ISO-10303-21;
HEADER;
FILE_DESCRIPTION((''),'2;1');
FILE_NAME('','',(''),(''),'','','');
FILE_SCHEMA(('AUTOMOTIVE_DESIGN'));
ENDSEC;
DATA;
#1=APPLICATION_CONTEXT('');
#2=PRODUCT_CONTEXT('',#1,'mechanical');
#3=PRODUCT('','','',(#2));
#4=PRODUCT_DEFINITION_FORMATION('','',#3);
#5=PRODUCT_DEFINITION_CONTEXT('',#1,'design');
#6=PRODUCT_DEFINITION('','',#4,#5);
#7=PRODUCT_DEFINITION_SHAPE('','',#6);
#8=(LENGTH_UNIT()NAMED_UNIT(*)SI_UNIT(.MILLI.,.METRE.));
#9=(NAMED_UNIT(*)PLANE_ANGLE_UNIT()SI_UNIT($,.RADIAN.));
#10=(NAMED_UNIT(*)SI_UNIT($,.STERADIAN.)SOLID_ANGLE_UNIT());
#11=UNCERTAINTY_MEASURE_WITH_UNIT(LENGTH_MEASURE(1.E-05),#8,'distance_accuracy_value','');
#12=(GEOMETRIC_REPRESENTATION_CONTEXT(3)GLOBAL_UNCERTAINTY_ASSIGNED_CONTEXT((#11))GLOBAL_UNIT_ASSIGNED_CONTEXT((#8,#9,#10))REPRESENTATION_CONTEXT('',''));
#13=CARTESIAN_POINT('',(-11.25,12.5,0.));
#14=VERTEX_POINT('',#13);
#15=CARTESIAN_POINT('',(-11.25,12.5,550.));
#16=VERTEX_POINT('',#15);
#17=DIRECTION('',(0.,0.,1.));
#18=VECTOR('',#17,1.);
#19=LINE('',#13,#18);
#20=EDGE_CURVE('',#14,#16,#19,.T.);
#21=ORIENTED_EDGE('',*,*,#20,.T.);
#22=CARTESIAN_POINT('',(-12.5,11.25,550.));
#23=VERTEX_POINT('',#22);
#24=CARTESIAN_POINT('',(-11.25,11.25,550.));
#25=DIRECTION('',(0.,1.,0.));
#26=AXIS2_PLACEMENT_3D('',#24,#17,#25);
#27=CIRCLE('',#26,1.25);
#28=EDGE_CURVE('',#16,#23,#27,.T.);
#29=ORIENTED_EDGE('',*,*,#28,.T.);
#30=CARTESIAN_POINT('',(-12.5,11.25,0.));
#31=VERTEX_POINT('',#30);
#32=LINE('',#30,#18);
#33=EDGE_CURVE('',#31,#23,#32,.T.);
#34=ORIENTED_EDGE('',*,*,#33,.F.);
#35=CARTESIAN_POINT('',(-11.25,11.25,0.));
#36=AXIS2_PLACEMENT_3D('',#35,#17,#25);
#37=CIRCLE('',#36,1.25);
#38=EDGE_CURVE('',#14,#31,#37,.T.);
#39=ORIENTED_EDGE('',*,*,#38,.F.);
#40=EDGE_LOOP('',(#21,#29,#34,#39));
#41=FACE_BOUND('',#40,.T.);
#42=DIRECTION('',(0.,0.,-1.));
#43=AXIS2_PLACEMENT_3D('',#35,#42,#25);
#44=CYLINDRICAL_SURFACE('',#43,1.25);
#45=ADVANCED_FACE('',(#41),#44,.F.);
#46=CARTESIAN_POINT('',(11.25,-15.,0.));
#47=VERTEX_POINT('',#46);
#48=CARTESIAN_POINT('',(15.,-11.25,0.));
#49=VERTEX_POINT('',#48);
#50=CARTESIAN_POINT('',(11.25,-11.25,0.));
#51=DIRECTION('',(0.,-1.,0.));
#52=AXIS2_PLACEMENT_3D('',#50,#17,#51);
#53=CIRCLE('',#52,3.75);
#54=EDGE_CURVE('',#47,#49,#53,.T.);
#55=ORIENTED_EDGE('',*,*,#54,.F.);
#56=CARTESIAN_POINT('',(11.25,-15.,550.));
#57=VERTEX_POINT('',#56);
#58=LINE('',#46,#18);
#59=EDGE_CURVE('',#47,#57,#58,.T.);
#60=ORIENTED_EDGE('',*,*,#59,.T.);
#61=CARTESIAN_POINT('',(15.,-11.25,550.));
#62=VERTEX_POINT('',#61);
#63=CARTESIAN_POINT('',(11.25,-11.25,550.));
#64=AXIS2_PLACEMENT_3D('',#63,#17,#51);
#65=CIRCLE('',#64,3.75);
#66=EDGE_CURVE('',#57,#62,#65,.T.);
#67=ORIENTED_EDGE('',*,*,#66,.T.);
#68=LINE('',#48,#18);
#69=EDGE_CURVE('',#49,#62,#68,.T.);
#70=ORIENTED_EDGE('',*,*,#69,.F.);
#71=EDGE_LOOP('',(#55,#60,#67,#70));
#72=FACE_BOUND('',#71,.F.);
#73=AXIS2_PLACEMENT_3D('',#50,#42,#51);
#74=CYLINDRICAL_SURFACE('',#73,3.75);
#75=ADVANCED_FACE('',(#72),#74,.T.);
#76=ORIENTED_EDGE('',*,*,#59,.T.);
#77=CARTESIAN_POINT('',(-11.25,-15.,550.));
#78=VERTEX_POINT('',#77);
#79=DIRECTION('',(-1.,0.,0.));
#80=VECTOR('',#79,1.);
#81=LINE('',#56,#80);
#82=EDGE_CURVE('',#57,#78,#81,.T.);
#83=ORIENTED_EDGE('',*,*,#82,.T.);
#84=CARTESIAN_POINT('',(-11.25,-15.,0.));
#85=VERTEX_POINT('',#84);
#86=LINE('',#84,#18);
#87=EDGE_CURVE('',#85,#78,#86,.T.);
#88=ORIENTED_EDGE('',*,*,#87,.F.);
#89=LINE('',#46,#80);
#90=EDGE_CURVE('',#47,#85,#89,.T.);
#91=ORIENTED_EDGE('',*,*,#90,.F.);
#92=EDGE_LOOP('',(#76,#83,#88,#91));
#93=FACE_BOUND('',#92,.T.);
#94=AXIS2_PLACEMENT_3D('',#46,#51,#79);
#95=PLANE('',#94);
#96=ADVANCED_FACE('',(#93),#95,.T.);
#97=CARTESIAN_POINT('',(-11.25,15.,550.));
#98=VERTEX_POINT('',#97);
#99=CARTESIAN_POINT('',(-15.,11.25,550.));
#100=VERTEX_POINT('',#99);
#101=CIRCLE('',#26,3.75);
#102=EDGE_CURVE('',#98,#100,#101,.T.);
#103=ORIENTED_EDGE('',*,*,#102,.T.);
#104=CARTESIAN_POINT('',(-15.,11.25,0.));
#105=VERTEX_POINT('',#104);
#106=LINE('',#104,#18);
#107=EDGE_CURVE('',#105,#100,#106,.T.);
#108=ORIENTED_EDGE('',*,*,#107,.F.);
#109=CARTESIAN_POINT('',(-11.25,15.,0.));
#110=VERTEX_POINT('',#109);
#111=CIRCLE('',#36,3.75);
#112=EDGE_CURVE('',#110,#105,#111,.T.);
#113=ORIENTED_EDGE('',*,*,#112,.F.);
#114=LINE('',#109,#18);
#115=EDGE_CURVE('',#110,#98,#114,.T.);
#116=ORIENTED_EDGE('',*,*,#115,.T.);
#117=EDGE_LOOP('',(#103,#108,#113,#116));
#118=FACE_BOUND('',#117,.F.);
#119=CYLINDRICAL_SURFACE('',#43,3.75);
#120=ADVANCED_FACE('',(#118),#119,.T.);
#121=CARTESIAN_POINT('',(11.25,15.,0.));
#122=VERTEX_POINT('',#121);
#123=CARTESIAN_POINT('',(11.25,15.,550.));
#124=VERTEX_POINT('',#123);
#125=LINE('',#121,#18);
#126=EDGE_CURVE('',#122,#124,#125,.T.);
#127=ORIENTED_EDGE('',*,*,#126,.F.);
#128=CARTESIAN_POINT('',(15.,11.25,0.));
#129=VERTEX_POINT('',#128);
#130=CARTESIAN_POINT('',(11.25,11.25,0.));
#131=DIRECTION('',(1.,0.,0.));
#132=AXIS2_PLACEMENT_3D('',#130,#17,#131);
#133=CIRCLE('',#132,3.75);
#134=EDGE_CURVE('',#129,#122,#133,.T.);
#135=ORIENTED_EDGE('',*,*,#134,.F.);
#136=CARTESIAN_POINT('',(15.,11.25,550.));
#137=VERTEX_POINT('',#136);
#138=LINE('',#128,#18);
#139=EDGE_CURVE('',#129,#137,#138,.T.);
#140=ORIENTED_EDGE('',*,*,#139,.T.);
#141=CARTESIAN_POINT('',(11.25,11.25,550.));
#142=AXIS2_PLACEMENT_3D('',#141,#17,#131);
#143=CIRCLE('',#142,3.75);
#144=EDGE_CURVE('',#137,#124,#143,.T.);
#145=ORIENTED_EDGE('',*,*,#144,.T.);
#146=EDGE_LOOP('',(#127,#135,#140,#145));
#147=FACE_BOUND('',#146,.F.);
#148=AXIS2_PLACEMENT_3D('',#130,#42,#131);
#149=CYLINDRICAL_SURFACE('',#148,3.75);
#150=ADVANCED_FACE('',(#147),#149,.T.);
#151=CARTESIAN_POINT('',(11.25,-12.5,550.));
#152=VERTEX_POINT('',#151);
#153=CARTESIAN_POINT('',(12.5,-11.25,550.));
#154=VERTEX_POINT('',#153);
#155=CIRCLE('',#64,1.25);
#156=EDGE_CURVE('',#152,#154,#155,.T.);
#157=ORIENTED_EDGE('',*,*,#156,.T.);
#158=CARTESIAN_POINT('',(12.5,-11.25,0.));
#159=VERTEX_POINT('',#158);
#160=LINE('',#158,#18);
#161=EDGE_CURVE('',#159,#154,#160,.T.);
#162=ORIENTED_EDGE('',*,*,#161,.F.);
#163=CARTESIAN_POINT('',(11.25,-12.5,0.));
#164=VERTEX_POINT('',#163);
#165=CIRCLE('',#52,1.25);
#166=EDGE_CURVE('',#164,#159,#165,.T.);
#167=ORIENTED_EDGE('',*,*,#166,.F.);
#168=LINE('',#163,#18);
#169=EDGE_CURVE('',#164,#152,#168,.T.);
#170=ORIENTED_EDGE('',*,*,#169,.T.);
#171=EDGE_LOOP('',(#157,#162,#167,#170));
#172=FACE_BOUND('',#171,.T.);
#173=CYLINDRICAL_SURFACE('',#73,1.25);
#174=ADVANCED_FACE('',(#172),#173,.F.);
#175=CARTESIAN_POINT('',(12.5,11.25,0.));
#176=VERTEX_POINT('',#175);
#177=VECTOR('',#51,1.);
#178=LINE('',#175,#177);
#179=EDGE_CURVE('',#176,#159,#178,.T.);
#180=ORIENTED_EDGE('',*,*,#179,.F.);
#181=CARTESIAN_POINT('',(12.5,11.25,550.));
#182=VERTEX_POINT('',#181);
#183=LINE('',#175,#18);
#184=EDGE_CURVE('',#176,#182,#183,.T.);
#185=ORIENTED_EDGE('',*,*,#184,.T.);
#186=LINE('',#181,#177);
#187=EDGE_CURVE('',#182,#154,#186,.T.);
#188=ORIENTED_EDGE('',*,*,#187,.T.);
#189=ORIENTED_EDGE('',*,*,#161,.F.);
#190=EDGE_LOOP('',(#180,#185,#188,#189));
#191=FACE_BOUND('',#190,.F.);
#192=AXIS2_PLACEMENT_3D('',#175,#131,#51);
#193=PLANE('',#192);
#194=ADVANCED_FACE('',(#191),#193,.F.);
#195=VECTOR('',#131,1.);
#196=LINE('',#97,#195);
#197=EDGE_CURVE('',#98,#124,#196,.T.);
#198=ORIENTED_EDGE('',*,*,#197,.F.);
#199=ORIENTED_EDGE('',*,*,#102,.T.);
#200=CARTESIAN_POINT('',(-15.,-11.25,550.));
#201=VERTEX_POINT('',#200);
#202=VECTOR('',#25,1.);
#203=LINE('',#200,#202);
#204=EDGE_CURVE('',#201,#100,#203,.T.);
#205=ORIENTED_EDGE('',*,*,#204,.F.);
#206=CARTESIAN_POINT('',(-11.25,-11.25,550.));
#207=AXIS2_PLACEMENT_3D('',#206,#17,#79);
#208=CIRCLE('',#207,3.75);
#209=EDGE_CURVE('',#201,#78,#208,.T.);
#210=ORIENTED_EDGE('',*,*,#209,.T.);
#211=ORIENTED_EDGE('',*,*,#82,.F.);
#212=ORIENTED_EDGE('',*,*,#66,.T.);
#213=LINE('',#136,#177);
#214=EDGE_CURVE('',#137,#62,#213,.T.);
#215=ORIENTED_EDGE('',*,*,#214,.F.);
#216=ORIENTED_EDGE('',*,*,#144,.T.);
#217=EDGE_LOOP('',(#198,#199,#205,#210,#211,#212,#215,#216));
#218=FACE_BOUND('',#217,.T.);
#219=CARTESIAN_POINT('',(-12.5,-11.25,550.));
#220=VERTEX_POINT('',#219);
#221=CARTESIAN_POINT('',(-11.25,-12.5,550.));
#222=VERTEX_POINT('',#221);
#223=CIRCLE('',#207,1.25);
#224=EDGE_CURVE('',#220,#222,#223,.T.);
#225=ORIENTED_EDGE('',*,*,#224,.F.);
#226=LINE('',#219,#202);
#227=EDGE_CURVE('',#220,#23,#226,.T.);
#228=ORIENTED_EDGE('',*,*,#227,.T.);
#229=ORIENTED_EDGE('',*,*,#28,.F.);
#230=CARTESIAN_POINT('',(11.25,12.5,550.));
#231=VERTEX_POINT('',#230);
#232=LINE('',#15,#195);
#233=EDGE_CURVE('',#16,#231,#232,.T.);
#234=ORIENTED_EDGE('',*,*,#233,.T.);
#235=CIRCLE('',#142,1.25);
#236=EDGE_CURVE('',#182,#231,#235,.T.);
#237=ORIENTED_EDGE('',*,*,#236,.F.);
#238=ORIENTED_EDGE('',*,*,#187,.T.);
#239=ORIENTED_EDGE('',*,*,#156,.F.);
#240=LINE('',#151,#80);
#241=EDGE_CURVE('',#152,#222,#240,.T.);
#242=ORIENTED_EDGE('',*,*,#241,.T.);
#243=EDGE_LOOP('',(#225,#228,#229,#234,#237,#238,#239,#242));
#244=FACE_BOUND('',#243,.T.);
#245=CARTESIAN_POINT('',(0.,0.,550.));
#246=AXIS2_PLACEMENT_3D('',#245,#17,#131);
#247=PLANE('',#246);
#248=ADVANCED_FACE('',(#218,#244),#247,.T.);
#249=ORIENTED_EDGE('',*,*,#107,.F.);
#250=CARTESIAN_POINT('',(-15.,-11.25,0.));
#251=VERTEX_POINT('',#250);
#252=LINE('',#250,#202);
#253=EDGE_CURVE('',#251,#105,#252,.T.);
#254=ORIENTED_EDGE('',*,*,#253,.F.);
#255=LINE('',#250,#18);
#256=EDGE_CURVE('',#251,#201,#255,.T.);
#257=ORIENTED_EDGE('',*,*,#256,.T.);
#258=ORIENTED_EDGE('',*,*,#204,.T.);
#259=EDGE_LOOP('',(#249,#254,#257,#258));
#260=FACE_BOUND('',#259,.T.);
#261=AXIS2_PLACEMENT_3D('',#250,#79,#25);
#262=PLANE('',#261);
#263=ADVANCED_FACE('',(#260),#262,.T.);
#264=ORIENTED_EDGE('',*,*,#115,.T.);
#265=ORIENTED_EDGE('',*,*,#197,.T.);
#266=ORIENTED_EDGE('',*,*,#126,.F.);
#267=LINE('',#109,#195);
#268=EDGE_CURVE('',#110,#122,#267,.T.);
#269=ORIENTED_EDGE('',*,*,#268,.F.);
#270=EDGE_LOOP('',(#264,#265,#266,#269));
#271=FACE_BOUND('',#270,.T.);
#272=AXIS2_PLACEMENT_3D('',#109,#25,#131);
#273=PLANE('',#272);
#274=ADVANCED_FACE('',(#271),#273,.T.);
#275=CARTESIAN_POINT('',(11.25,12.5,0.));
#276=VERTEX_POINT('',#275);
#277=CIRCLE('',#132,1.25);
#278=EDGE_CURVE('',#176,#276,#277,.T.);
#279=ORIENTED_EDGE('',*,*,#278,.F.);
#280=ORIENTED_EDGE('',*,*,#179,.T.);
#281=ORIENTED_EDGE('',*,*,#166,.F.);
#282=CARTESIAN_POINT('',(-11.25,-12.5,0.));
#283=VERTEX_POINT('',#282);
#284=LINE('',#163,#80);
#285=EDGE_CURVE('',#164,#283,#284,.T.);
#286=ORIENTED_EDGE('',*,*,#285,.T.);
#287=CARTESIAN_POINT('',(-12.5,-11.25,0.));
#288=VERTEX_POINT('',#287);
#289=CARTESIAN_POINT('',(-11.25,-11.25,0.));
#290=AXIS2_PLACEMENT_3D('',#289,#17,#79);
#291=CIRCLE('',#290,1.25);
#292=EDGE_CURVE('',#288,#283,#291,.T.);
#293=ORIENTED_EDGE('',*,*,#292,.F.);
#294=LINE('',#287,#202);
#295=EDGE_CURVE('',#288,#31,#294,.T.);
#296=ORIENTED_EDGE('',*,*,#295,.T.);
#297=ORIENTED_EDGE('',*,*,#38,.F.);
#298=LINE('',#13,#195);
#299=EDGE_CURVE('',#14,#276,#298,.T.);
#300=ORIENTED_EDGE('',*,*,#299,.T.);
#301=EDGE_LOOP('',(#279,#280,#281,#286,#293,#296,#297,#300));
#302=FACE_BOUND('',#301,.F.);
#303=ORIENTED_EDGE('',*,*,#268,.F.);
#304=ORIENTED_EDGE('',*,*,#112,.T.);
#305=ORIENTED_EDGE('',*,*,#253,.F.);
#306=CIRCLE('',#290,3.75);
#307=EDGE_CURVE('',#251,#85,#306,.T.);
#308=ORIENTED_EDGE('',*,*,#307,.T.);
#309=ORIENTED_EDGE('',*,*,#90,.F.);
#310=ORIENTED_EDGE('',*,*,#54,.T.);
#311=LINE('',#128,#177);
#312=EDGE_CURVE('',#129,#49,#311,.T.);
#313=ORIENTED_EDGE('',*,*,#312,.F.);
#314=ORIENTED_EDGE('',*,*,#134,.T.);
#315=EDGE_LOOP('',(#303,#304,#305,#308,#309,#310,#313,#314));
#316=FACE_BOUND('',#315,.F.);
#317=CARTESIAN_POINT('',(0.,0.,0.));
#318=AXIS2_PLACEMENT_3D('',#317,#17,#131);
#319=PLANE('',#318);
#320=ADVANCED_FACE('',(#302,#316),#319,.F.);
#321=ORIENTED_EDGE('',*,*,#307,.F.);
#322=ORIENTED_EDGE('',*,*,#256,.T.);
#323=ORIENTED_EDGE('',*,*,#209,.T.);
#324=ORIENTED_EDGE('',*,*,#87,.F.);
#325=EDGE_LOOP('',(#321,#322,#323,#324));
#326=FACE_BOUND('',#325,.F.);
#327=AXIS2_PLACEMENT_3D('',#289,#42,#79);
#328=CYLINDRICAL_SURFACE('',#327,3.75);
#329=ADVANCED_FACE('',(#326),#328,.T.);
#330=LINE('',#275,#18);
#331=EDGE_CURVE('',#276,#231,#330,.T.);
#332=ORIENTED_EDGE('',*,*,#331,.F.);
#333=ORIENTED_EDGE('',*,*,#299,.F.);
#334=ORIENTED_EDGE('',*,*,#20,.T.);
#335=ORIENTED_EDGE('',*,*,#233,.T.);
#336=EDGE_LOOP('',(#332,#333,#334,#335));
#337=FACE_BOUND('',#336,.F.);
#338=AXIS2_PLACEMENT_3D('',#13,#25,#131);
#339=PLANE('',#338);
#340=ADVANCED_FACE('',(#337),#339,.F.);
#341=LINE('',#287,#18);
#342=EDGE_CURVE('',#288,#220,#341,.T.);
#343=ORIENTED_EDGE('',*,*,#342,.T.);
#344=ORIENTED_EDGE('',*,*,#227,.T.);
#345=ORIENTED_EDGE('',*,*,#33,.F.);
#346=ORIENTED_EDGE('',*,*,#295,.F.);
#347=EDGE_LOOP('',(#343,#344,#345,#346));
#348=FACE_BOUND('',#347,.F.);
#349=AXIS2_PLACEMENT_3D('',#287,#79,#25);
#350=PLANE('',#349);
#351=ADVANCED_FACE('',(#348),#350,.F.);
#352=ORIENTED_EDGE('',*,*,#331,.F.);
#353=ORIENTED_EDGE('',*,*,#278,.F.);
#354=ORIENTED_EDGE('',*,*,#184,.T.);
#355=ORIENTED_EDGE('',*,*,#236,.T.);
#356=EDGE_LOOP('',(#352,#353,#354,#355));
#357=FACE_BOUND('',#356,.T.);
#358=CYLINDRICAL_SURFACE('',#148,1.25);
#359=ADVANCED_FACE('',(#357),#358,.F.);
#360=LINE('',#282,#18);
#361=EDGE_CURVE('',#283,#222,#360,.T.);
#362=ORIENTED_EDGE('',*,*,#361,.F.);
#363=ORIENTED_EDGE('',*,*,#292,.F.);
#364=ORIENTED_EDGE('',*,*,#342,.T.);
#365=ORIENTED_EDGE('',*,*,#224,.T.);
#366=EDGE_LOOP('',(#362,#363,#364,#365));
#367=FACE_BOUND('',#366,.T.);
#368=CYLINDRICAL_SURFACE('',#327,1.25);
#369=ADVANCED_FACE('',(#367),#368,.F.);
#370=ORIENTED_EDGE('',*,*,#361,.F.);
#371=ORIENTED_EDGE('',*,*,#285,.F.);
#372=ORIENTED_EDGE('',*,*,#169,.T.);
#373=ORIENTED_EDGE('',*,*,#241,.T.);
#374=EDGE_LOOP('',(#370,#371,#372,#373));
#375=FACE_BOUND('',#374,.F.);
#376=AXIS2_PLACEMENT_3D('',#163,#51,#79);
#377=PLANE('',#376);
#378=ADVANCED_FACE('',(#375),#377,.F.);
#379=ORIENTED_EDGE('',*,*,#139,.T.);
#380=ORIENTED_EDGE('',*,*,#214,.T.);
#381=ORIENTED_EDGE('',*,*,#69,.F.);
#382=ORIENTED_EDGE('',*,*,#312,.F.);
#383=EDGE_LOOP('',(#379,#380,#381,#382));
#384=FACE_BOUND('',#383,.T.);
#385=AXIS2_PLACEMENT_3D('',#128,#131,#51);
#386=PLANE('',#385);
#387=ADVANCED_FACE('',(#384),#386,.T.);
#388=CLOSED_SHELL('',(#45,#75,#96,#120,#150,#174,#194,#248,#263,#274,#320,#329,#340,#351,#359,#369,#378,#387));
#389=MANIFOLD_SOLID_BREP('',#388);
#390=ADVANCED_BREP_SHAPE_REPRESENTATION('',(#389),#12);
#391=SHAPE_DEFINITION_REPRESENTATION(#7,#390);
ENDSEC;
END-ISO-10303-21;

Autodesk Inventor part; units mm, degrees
ref_plane "YZ Plane" through (0, 0, 0) normal (1, 0, 0) x (0, 1, 0)
ref_plane "Start plane" through (0, 0, 0) normal (0, 0, 1) x (1, 0, 0)
ref_plane "End plane" through (0, 0, 550) normal (0, 0, 1) x (1, 0, 0)
sketch "Sketch" plane through (0, 0, 0) normal (0, 0, 1) x (1, 0, 0)
  line L0 (-15, -11.25) -> (-15, 11.25)
  line L1 (-11.25, 15) -> (11.25, 15)
  line L2 (15, 11.25) -> (15, -11.25)
  line L3 (11.25, -15) -> (-11.25, -15)
  arc A0 (-15, -11.25) -> (-11.25, -15) centre (-11.25, -11.25) ccw
  arc A1 (-11.25, 15) -> (-15, 11.25) centre (-11.25, 11.25) ccw
  arc A2 (15, 11.25) -> (11.25, 15) centre (11.25, 11.25) ccw
  arc A3 (11.25, -15) -> (15, -11.25) centre (11.25, -11.25) ccw
  arc A4 (-11.25, 12.5) -> (-12.5, 11.25) centre (-11.25, 11.25) ccw
  line L4 (-11.25, 12.5) -> (11.25, 12.5)
  arc A5 (12.5, 11.25) -> (11.25, 12.5) centre (11.25, 11.25) ccw
  line L5 (12.5, 11.25) -> (12.5, -11.25)
  arc A6 (11.25, -12.5) -> (12.5, -11.25) centre (11.25, -11.25) ccw
  line L6 (11.25, -12.5) -> (-11.25, -12.5)
  arc A7 (-12.5, -11.25) -> (-11.25, -12.5) centre (-11.25, -11.25) ccw
  line L7 (-12.5, -11.25) -> (-12.5, 11.25)
  line L8 (0, 22.0873) -> (0, -22.0873) construction
  line L9 (-22.0873, 0) -> (22.0873, 0) construction
  dimension "d7" = 3.75
  dimension "d10" = 30
  dimension "d11" = 30
  dimension "d12" = 2.5
  dimension "d15" = 15
  dimension "d16" = 15
extrude "Body" add sketch "Sketch" along normal up to surface (550 mm away) from surface at 0
sketch "Sketch3" plane through (0, 0, 0) normal (0, 0, 1) x (1, 0, 0)
  line L0 (0, 0) -> (10, 0)
ref_plane "Work Plane3" through (0, 0, 0) normal (0, -1, 0) x (1, 0, 0)
sketch "Sketch4" plane through (0, 0, 0) normal (0, -1, 0) x (1, 0, 0)
  line L0 (-2, 0) -> (12, 0)
  line L1 (-2, 550) -> (12, 550)
  dimension "d18" = 550
equation "\"d7\" = G_IR"
equation "\"d10\" = G_H"
equation "\"d11\" = G_W"
equation "\"d12\" = G_T"
equation "\"d15\" = 0.5 * d10"
equation "\"d16\" = 0.5 * d11"
equation "\"d3\" = G_L"
equation "\"G_W\" = 30"
equation "\"G_H\" = 30"
equation "\"G_T\" = 2.5"
equation "\"G_IR\" = 3.75"
equation "\"G_L\" = d18"
equation "\"G_OFFSET_START\" = 0"
equation "\"G_OFFSET_END\" = 0"
properties part number "DIN EN 10305-5 - 30 x 30 x 2,5  - 550" material "Steel, Mild"
